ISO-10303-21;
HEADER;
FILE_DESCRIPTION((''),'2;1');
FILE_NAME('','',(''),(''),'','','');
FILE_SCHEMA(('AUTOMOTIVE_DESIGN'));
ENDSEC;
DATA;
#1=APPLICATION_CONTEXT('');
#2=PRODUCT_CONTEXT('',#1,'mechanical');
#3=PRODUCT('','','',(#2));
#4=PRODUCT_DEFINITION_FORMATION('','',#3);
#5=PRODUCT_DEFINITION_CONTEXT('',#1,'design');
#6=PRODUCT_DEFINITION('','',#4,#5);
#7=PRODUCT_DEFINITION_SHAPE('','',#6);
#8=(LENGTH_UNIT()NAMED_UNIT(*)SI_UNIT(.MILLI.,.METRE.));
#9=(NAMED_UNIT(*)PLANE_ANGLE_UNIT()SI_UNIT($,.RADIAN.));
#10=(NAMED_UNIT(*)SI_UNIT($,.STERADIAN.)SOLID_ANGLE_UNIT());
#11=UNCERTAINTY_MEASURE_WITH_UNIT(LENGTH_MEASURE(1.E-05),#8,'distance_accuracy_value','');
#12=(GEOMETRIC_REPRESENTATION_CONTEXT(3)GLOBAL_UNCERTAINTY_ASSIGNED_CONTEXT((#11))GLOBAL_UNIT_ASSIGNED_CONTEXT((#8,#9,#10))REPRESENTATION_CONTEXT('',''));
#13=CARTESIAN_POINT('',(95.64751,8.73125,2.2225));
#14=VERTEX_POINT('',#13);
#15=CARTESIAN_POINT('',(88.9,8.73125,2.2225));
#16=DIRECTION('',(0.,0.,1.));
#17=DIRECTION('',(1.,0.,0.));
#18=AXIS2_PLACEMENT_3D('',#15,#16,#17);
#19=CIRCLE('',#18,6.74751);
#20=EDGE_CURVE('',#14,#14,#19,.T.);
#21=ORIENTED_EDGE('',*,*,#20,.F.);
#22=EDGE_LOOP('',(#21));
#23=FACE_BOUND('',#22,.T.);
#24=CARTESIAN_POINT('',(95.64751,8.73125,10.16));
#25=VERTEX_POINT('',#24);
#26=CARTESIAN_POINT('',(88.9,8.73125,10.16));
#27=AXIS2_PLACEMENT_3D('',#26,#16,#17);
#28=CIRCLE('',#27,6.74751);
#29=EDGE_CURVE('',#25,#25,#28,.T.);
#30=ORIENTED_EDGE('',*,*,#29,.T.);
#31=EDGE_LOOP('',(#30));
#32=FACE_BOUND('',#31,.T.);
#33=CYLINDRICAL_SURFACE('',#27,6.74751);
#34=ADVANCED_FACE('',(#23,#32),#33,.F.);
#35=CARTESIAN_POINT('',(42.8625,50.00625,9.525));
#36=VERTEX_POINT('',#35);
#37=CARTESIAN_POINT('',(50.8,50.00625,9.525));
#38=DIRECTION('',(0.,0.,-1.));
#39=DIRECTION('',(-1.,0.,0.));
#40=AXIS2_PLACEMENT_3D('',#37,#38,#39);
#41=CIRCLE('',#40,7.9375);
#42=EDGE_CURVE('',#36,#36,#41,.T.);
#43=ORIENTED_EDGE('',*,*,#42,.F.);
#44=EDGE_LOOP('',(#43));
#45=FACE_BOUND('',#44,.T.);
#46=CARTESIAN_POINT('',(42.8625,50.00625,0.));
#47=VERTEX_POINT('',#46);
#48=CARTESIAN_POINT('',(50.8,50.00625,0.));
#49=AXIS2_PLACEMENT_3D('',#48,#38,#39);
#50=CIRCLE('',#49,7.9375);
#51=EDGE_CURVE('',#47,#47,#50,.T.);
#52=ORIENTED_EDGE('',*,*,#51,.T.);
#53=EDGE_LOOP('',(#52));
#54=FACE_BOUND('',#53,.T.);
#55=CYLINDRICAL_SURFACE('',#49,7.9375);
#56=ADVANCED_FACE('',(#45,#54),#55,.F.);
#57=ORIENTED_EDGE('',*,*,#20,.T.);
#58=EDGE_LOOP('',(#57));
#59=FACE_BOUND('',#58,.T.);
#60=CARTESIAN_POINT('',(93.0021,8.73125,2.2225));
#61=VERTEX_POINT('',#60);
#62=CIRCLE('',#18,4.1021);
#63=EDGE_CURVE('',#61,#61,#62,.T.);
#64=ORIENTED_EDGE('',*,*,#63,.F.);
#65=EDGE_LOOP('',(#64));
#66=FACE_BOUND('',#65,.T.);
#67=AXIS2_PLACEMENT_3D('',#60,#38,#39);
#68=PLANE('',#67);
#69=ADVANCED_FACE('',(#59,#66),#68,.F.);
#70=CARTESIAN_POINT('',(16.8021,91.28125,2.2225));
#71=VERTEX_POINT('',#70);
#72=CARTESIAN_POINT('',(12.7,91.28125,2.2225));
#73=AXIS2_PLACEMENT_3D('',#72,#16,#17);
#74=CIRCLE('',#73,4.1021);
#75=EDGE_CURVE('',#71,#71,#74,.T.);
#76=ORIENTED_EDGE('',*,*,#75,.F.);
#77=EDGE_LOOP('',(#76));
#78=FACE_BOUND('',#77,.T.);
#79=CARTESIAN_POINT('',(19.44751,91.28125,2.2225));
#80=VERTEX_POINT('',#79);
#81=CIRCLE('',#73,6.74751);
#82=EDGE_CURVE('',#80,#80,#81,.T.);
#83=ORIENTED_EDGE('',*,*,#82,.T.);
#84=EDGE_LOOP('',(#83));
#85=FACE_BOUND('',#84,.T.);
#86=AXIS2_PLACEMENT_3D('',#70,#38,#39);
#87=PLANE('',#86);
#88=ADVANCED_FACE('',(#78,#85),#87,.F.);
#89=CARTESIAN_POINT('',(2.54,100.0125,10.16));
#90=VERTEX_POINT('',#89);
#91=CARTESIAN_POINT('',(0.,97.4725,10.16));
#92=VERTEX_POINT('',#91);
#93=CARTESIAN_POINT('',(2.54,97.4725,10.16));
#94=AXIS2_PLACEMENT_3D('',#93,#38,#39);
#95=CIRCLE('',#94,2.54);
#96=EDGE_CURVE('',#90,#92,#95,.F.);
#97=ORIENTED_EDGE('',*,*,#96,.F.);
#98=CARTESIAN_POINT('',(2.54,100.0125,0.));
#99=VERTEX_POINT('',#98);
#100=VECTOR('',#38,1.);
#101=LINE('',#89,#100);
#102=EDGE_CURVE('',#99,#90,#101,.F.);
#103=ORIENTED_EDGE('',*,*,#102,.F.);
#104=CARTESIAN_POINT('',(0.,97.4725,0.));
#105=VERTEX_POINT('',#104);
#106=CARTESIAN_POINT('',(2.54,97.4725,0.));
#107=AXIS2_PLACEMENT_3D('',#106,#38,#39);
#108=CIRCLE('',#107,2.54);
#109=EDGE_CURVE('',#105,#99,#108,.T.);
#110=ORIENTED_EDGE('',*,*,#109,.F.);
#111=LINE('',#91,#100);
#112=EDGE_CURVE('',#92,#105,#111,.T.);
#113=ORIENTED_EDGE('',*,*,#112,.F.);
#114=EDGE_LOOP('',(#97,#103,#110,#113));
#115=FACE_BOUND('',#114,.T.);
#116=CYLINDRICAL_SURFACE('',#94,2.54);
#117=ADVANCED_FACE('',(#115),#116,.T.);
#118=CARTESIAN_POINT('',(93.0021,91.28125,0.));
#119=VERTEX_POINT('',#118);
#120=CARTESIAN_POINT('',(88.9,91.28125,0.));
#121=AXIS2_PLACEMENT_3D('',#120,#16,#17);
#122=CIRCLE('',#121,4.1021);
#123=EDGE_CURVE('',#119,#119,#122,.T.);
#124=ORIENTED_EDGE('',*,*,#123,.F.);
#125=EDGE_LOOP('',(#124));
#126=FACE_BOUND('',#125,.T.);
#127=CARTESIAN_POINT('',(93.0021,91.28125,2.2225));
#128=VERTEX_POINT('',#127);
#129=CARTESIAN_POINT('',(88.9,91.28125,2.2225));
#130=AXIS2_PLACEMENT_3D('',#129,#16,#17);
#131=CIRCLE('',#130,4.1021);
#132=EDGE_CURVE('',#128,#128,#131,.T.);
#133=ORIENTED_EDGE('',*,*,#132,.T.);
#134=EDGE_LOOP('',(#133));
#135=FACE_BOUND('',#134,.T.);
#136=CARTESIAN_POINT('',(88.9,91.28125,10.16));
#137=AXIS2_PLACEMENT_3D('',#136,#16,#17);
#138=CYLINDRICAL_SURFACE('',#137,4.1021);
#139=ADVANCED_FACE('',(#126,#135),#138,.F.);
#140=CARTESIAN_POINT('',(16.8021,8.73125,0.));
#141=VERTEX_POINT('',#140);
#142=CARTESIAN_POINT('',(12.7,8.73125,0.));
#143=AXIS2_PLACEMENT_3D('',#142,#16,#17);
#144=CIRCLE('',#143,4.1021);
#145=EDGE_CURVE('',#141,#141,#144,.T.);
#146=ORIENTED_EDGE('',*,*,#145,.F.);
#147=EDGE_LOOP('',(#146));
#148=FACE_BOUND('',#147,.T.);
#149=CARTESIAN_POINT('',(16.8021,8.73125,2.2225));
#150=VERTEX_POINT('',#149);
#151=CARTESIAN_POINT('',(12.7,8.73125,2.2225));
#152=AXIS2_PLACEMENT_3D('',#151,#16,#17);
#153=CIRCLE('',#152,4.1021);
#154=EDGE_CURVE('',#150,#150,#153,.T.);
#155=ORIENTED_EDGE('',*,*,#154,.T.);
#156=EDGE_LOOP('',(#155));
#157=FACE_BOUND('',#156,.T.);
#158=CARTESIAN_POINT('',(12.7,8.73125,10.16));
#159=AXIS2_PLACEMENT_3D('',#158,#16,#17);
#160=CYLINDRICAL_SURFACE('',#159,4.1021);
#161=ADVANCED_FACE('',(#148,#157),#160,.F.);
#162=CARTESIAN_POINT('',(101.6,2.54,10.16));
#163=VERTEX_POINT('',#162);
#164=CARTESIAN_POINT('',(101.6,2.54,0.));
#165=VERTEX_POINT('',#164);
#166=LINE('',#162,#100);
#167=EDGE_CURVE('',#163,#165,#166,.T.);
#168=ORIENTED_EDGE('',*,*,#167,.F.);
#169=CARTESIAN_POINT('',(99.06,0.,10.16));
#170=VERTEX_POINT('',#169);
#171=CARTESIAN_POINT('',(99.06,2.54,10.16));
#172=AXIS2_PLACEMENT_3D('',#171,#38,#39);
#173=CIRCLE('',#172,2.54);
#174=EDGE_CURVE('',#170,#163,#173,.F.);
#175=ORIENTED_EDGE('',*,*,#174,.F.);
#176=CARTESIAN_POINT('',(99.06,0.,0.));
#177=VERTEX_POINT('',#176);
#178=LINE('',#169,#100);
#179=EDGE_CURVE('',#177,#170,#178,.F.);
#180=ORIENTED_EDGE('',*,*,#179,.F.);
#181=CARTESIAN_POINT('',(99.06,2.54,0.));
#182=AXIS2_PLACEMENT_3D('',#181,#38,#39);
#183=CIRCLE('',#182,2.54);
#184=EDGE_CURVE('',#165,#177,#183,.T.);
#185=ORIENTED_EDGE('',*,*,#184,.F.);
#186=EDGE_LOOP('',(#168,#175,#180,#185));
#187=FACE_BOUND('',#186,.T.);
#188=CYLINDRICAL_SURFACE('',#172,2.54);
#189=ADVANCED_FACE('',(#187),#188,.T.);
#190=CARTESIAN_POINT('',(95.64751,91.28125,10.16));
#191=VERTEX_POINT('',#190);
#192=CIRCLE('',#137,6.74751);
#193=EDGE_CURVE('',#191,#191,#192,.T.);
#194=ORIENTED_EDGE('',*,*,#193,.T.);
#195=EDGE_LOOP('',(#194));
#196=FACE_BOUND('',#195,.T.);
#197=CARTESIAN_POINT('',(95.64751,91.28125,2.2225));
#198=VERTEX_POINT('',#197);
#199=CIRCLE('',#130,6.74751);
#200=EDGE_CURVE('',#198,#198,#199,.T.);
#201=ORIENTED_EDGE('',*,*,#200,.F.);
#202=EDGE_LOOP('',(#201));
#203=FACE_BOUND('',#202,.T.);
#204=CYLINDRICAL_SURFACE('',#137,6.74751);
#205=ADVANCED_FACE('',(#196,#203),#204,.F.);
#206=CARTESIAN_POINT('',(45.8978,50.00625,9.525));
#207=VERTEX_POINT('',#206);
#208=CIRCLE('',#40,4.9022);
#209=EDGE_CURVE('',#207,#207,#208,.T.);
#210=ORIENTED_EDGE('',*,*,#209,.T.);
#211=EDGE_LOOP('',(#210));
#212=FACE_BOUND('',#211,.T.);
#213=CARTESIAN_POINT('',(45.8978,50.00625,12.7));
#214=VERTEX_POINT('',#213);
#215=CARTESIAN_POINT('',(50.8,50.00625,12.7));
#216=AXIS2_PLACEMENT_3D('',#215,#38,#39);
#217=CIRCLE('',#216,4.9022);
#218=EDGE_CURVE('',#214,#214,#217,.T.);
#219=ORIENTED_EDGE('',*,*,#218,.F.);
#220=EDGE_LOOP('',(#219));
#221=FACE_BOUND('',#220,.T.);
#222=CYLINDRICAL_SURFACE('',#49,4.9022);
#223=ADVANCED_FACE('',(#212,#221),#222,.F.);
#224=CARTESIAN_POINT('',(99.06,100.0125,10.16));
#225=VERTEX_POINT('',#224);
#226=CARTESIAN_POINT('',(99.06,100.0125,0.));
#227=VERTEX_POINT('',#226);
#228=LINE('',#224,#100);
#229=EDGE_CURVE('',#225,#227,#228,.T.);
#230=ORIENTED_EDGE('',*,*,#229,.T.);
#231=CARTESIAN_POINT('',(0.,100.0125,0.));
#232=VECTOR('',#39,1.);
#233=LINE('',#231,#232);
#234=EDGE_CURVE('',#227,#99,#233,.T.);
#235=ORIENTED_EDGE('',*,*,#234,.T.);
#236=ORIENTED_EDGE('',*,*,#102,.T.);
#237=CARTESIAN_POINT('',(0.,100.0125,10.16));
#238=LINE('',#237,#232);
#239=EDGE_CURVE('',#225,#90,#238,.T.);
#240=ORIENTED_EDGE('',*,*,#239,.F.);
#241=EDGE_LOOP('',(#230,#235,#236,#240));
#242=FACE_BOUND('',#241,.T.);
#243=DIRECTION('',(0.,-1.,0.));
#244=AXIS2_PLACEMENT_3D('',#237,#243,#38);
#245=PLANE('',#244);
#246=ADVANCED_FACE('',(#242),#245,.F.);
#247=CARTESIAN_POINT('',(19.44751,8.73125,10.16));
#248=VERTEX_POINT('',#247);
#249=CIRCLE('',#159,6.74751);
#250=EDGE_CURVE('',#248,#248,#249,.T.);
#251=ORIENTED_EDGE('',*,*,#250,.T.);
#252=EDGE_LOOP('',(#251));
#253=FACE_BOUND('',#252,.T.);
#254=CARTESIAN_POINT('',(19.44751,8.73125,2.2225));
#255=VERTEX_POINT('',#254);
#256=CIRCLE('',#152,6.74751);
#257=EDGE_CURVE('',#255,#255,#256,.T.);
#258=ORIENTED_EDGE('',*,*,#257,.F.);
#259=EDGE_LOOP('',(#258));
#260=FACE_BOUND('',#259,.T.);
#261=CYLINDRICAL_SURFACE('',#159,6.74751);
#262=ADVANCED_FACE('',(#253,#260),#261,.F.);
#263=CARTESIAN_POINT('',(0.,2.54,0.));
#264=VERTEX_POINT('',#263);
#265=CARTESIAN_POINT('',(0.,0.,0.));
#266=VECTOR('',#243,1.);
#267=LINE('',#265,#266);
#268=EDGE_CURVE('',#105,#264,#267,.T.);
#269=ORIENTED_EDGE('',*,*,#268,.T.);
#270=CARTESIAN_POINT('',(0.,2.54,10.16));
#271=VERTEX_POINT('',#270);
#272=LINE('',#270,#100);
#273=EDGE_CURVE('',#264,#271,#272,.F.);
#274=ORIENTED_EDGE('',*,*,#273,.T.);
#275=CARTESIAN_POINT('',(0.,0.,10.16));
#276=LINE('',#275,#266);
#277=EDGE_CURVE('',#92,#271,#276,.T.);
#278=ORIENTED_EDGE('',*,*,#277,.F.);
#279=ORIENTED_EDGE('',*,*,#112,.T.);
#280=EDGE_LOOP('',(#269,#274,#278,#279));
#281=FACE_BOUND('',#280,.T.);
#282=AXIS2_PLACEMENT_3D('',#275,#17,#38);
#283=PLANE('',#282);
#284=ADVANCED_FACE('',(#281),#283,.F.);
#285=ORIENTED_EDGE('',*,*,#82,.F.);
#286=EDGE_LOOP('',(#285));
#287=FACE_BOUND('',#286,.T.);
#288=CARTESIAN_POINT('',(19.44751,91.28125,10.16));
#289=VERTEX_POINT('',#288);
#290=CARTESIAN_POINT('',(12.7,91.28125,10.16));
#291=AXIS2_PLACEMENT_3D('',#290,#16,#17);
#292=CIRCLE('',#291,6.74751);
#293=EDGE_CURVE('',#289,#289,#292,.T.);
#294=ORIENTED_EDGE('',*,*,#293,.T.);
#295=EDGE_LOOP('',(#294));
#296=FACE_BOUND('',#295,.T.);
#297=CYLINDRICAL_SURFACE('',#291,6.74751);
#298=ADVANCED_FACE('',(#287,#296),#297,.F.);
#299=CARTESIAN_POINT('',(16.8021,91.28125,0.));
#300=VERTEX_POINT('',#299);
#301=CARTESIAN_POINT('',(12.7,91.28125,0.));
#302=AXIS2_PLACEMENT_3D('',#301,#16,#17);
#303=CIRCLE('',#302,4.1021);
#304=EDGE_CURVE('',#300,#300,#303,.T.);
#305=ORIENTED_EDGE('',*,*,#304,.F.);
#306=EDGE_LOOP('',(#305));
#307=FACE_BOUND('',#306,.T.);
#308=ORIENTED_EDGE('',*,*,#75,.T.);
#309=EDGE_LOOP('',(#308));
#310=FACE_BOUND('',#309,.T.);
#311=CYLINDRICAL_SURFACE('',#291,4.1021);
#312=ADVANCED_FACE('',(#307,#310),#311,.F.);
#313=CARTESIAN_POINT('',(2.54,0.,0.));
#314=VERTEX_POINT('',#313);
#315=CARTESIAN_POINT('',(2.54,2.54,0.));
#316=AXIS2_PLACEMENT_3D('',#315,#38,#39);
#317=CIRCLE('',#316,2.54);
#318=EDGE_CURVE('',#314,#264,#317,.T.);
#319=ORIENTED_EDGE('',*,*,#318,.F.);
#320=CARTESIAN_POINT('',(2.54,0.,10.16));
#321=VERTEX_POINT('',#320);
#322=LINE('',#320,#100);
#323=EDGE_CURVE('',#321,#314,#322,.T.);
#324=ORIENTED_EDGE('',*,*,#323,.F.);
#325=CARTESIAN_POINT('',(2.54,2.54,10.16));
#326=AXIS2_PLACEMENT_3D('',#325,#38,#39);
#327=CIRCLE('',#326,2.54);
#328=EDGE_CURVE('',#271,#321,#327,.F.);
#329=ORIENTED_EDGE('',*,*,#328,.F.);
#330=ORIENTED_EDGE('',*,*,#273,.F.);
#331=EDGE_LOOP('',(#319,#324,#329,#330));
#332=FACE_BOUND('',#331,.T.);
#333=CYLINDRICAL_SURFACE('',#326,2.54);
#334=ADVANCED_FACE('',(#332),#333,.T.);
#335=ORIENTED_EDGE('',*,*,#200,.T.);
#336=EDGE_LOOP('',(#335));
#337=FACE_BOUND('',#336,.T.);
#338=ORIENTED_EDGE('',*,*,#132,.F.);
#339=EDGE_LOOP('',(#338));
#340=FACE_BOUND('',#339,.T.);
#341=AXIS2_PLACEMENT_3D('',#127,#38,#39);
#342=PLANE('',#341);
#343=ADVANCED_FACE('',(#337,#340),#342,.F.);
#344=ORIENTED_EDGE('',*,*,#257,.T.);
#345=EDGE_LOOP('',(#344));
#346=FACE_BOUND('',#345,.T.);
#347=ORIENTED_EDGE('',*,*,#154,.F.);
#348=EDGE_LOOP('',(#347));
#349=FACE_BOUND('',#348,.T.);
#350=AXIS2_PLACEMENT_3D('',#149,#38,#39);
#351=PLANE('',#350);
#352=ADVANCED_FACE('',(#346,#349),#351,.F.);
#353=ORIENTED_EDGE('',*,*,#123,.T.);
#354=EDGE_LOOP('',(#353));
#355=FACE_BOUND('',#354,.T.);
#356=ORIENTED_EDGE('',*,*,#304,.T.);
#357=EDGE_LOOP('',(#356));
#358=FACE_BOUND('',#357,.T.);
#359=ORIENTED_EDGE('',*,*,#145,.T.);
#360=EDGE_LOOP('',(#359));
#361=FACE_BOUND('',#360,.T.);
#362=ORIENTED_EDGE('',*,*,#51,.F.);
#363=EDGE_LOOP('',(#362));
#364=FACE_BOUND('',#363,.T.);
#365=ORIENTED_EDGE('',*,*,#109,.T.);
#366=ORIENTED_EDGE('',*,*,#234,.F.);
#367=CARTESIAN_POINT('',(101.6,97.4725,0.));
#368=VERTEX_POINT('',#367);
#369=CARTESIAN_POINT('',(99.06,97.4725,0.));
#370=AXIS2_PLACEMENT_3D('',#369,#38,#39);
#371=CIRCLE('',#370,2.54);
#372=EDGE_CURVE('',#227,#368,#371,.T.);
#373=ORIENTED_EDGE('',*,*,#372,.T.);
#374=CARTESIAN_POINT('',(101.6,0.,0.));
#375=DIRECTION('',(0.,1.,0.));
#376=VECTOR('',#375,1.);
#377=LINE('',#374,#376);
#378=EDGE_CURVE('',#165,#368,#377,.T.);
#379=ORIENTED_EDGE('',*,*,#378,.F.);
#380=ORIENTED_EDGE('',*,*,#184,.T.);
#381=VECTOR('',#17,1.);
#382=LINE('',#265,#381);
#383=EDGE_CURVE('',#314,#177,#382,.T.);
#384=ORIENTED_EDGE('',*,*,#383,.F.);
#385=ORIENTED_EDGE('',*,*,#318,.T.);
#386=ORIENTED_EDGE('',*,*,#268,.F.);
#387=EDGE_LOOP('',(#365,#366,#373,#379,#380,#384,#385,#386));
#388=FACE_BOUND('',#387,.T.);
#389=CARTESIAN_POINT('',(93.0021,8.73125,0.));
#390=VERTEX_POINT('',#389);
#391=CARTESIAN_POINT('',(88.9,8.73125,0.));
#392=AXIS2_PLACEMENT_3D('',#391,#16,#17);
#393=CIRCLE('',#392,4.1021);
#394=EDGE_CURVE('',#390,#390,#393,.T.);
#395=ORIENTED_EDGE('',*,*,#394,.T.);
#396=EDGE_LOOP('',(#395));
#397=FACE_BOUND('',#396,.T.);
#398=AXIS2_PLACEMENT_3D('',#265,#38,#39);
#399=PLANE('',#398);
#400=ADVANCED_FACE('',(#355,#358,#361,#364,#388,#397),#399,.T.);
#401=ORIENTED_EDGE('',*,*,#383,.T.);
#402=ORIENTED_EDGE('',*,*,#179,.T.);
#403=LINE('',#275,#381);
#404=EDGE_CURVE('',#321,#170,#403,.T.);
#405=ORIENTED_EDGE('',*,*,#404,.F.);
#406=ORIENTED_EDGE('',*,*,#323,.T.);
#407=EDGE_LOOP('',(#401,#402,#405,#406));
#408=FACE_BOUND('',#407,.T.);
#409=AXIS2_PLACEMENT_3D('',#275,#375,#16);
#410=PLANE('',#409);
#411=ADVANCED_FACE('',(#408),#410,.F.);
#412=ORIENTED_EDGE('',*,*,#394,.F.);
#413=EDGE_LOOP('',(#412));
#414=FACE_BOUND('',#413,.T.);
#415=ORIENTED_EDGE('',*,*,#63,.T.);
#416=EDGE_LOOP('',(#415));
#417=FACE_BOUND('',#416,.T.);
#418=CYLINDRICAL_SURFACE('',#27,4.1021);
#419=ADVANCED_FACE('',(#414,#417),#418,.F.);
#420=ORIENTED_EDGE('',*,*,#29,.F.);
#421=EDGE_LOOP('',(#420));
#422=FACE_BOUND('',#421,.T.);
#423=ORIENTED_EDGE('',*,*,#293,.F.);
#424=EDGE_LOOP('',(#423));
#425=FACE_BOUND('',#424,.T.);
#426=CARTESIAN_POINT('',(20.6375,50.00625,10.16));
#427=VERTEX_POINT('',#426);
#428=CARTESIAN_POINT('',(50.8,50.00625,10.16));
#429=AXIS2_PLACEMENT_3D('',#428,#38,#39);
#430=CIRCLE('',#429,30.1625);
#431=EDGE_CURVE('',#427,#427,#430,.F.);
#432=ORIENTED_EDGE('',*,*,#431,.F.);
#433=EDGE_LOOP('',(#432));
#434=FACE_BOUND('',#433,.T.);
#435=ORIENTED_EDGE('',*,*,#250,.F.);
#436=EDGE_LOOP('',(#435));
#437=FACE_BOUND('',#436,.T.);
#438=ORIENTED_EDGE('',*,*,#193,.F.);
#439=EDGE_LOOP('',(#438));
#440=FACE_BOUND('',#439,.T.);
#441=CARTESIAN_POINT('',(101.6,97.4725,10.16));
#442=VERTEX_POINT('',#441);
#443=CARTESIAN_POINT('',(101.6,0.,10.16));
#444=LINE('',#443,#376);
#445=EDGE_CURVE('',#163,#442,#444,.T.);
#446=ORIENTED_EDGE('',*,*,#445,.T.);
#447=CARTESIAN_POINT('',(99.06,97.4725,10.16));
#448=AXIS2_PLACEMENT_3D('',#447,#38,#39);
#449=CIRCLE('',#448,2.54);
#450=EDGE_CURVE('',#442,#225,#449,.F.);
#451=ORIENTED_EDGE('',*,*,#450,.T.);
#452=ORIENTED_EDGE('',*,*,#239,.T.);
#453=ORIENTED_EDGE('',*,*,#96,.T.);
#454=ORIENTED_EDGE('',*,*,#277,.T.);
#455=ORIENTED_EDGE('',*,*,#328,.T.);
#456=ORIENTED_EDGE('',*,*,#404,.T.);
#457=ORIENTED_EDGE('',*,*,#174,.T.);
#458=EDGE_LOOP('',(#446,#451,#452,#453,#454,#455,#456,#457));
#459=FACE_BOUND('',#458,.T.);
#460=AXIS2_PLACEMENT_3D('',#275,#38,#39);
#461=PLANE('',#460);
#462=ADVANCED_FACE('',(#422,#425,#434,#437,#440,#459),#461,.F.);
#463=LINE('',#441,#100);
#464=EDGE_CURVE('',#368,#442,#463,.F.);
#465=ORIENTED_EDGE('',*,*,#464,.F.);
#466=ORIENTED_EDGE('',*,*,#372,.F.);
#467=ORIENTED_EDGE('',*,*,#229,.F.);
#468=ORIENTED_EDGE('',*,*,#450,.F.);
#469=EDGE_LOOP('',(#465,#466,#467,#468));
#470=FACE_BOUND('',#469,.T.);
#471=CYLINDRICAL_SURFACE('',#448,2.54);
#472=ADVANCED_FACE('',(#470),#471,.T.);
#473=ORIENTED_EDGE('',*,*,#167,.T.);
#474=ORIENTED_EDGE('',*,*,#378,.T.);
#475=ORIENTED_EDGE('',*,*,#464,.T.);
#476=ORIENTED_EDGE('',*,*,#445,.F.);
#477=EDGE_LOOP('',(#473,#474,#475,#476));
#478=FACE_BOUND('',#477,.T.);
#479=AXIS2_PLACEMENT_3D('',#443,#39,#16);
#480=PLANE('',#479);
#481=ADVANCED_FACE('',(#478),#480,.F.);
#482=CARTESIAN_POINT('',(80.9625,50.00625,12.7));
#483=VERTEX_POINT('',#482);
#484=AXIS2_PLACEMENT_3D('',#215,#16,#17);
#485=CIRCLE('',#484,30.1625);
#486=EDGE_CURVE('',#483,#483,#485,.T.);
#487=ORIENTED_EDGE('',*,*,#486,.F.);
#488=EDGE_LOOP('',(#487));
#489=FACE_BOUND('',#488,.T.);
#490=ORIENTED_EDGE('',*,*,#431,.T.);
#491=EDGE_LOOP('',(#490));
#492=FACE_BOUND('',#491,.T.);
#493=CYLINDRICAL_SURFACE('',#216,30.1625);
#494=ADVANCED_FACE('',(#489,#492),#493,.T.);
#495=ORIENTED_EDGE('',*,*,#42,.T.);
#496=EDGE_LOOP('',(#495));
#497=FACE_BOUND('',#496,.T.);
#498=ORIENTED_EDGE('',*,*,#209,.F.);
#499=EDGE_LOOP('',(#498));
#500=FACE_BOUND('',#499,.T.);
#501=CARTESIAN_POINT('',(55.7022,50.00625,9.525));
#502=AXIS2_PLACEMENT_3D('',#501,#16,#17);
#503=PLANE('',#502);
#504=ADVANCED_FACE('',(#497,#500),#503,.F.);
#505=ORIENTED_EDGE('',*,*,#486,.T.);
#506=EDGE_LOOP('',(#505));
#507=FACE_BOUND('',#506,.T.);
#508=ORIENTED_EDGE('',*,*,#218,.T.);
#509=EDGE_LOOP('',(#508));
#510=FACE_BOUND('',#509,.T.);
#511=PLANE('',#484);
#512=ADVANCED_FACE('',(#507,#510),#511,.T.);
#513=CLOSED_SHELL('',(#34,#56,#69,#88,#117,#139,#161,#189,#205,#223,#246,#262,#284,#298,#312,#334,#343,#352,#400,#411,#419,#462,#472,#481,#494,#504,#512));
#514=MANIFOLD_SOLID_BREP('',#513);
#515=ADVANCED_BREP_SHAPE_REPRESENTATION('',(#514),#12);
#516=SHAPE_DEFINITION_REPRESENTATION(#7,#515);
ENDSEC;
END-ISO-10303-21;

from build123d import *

# Parameters (mm, degrees)
SKETCH1_W                                         = 101.6
SKETCH1_H                                         = 100.0125
BOSS_EXTRUDE1_DEPTH                               = 10.16
CBORE_FOR_5_16_SOCKET_HEAD_CAP_SCREW1_D           = 8.2042
CBORE_FOR_5_16_SOCKET_HEAD_CAP_SCREW1_CBORE_D     = 13.49502
CBORE_FOR_5_16_SOCKET_HEAD_CAP_SCREW1_CBORE_DEPTH = 7.9375
SKETCH4_R                                         = 30.1625
BOSS_EXTRUDE2_DEPTH                               = 2.54
CBORE_FOR_3_8_SOCKET_HEAD_CAP_SCREW1_D            = 9.8044
CBORE_FOR_3_8_SOCKET_HEAD_CAP_SCREW1_CBORE_D      = 15.875
CBORE_FOR_3_8_SOCKET_HEAD_CAP_SCREW1_CBORE_DEPTH  = 9.525
FILLET1_R                                         = 2.54


with BuildPart() as part:
    # Sketch1 → Boss-Extrude1 (new body)
    with BuildSketch(Plane.XY):
        with Locations((50.8, 50.00625)):
            Rectangle(SKETCH1_W, SKETCH1_H)
    extrude(amount=BOSS_EXTRUDE1_DEPTH)

    # CBORE for 5/16 Socket Head Cap Screw1 (through all)
    with Locations(Plane.XY.offset(10.16)):
        with Locations((88.9, 8.73125), (88.9, 91.28125), (12.7, 8.73125), (12.7, 91.28125)):
            CounterBoreHole(CBORE_FOR_5_16_SOCKET_HEAD_CAP_SCREW1_D / 2, CBORE_FOR_5_16_SOCKET_HEAD_CAP_SCREW1_CBORE_D / 2, CBORE_FOR_5_16_SOCKET_HEAD_CAP_SCREW1_CBORE_DEPTH)

    # Sketch4 → Boss-Extrude2 (add)
    with BuildSketch(Plane.XY.offset(10.16)):
        with Locations(Location((50.8, 50.00625, 0), (0, 0, 180))):
            Circle(SKETCH4_R)
    extrude(amount=BOSS_EXTRUDE2_DEPTH)

    # CBORE for 3/8 Socket Head Cap Screw1 (through all)
    with Locations(Plane(origin=(0, 0, 0), x_dir=(-1, 0, 0), z_dir=(0, 0, -1))):
        with Locations((-50.8, 50.00625)):
            CounterBoreHole(CBORE_FOR_3_8_SOCKET_HEAD_CAP_SCREW1_D / 2, CBORE_FOR_3_8_SOCKET_HEAD_CAP_SCREW1_CBORE_D / 2, CBORE_FOR_3_8_SOCKET_HEAD_CAP_SCREW1_CBORE_DEPTH)

    # Fillet1
    fillet1_edges = [part.edges().sort_by_distance(p)[0] for p in [
        (0, 100.0125, 5.08),
        (101.6, 100.0125, 5.08),
        (101.6, 0, 5.08),
        (0, 0, 5.08),
    ]]
    fillet(fillet1_edges, radius=FILLET1_R)


solid = part.part
